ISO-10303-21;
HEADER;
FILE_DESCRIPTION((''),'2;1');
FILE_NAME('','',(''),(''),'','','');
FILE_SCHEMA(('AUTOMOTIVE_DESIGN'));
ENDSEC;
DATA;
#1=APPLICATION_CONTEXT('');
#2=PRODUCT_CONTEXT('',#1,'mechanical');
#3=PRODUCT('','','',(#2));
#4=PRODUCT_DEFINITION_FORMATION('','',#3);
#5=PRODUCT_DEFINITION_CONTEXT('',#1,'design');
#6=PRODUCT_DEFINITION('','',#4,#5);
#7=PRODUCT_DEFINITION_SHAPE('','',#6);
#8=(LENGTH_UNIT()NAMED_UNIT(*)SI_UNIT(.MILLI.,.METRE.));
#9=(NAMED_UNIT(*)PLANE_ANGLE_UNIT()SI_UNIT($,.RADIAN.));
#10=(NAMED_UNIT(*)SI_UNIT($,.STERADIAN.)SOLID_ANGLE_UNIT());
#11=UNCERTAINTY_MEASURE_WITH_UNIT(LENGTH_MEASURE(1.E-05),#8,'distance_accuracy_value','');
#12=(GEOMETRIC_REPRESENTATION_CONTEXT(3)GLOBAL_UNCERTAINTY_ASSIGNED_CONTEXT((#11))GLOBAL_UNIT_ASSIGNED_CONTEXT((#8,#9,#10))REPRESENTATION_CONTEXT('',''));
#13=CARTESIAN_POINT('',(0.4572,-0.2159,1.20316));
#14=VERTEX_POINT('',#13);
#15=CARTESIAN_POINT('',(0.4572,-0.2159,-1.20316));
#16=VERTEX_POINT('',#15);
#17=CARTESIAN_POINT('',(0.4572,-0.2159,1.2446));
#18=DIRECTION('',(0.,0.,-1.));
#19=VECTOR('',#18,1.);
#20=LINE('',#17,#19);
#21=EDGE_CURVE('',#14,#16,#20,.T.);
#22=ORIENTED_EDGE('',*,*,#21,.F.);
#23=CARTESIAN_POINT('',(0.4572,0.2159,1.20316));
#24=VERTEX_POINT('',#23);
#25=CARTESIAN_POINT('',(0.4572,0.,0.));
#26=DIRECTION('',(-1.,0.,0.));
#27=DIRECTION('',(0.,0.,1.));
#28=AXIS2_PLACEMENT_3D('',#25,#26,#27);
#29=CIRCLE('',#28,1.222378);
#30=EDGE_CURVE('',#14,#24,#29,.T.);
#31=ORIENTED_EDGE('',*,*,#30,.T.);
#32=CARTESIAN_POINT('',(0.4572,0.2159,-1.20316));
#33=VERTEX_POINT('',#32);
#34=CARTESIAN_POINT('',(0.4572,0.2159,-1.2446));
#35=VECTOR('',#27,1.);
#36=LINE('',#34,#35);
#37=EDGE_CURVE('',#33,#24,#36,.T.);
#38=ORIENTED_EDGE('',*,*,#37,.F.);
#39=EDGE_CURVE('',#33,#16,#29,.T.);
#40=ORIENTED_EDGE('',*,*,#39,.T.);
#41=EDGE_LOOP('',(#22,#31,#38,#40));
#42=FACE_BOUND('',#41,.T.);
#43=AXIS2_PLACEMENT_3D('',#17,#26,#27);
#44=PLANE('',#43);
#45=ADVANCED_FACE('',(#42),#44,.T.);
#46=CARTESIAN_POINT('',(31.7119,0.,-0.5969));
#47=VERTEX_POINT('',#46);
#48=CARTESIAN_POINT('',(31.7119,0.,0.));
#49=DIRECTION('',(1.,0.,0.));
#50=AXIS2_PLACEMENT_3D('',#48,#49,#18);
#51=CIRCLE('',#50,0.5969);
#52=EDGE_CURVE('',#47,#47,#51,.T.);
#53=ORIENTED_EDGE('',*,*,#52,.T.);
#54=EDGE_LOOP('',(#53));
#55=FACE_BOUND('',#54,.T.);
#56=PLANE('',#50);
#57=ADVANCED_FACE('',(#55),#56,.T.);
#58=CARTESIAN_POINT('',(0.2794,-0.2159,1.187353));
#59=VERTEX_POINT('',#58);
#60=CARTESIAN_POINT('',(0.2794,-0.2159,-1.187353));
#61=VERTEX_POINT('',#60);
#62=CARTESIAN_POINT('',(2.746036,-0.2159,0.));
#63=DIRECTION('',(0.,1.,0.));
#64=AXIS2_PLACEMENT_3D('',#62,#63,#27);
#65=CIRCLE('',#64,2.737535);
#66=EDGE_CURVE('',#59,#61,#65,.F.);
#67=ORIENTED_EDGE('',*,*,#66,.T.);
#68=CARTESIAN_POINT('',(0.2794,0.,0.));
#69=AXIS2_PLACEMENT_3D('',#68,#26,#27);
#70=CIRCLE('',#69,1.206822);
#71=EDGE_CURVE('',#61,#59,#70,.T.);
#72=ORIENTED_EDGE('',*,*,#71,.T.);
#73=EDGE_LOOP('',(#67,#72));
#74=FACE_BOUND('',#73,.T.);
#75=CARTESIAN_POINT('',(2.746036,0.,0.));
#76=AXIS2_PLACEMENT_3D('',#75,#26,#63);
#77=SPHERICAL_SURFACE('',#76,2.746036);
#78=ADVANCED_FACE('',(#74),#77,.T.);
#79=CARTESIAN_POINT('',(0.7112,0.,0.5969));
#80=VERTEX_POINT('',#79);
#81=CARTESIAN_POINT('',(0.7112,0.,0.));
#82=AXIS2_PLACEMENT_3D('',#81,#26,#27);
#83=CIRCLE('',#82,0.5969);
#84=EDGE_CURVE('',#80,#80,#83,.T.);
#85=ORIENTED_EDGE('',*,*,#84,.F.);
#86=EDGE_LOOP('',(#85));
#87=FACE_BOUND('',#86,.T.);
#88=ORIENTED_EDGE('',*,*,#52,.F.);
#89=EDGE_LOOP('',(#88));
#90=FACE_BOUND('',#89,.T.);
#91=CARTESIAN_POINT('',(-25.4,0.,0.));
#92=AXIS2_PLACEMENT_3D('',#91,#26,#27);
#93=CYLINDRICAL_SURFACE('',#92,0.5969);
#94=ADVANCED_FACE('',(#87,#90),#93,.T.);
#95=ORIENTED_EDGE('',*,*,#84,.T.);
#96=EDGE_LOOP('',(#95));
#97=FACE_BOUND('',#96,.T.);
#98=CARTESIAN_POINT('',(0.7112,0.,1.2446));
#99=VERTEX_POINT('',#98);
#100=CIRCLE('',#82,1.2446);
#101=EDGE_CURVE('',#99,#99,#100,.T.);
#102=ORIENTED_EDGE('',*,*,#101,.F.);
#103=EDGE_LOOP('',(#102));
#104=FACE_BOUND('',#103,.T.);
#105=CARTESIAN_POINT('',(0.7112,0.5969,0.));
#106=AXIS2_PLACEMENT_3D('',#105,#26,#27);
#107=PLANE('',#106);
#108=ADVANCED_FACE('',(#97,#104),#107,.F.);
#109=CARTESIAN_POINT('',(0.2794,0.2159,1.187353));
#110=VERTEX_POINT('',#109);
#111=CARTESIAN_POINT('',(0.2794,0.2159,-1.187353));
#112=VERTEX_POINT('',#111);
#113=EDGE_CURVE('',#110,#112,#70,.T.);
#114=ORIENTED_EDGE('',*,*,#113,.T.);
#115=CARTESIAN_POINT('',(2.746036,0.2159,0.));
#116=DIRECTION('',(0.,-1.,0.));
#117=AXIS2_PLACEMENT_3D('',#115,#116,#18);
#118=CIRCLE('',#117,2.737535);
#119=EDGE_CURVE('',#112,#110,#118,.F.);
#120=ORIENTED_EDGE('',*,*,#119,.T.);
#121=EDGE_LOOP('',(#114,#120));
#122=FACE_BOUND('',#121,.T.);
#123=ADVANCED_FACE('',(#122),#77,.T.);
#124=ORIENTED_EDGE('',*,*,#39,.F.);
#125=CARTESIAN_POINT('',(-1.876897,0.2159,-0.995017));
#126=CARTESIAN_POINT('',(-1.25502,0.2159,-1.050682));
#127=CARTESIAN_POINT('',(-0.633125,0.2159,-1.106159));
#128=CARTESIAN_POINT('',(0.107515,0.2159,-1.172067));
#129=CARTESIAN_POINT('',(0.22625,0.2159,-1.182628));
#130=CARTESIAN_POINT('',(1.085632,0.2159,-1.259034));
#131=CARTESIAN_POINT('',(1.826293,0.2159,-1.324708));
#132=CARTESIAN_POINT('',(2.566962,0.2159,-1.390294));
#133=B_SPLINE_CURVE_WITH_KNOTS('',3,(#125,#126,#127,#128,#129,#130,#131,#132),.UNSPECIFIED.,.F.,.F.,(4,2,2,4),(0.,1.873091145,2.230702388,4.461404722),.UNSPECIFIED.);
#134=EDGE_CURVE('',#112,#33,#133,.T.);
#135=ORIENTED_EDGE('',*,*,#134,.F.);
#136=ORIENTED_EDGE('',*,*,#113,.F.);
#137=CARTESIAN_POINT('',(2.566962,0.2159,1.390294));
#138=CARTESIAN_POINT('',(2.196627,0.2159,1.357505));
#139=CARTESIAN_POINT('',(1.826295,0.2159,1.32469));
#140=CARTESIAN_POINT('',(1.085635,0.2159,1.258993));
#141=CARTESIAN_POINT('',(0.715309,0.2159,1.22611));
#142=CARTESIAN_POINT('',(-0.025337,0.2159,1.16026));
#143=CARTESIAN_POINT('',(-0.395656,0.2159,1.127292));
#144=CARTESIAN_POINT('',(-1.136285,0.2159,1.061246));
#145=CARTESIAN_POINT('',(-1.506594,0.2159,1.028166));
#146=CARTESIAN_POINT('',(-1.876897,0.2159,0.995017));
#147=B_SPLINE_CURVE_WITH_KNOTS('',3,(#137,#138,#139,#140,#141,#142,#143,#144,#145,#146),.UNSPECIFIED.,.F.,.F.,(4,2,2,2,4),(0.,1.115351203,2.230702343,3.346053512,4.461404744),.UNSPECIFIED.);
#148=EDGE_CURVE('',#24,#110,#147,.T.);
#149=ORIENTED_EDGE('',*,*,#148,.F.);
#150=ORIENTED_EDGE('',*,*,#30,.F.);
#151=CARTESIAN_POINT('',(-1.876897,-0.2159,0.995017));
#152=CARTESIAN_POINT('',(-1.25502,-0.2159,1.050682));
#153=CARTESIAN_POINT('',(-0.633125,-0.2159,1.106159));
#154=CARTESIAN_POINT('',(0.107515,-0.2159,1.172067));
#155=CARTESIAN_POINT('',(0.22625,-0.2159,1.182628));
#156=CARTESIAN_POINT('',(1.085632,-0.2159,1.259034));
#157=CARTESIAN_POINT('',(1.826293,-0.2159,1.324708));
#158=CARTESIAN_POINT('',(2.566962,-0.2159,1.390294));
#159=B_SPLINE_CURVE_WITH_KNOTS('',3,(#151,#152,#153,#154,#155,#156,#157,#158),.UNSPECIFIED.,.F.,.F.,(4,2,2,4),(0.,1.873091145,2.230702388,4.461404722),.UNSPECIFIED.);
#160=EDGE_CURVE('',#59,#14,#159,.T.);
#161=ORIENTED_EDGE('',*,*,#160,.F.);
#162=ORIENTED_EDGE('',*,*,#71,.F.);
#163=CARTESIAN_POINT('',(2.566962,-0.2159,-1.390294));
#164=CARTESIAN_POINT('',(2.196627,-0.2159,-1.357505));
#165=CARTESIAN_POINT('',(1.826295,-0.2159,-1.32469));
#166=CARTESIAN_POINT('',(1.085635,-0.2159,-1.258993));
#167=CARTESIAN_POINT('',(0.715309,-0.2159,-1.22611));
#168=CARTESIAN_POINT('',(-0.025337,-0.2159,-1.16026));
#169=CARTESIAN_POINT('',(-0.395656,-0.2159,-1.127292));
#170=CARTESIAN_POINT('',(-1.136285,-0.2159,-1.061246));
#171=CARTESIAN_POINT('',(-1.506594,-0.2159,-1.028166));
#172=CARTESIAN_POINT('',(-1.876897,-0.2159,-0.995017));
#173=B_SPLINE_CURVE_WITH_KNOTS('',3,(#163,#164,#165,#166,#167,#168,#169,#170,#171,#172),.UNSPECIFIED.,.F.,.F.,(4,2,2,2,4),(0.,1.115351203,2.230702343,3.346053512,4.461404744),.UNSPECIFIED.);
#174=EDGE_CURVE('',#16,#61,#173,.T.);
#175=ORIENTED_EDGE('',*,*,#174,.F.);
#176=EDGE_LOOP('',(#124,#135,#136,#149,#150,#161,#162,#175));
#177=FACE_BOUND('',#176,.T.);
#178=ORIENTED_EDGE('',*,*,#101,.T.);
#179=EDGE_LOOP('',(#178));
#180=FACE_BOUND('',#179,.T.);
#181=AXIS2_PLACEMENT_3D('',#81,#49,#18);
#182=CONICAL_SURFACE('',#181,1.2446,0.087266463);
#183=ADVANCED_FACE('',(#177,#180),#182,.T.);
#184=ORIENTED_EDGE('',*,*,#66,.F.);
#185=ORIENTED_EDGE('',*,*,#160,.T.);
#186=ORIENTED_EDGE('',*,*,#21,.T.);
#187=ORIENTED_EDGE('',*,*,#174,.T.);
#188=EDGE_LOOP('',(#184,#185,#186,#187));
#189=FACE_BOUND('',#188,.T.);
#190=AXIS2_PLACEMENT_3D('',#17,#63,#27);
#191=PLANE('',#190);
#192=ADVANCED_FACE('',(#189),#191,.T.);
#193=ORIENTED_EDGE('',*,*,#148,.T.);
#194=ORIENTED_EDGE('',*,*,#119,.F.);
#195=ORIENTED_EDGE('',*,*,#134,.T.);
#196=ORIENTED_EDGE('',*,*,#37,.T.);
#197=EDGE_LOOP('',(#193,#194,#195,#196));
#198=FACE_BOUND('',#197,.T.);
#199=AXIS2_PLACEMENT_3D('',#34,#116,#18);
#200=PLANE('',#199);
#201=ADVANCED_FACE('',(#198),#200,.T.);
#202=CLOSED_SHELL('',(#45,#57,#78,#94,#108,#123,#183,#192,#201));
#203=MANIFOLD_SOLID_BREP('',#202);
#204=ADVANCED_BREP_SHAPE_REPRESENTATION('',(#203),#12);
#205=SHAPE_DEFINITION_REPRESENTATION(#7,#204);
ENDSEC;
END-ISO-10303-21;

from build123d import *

# Parameters (mm, degrees)
SKETCH2_W                    = 2.4892
SKETCH2_H                    = 0.4318
SLOT_DEPTH                   = 0.4572
SCHIZZO2_R                   = 0.5969
ESTRUSIONE_ESTRUSIONE1_DEPTH = 15.1257


with BuildPart() as part:
    # BodySke → Base-Revolve (revolve)
    with BuildSketch(Plane.XY):
        with BuildLine():
            Line((0.7112, 0.5969), (0.7112, 1.2446))
            Line((0.7112, 1.2446), (0.2794, 1.206822395))
            ThreePointArc((0.2794, 1.206822395), (0.070761718, 0.619371587), (0, 0))
            Line((0, 0), (16.5862, 0))
            Line((16.5862, 0), (16.5862, 0.5969))
            Line((16.5862, 0.5969), (0.7112, 0.5969))
        make_face()
    revolve(axis=Axis((-25.4, 0, 0), (1, 0, 0)))

    # Sketch2 → Slot (cut)
    with BuildSketch(Plane(origin=(0, 0, 0), x_dir=(0, 0, -1), z_dir=(1, 0, 0))):
        Rectangle(SKETCH2_W, SKETCH2_H)
    extrude(amount=SLOT_DEPTH, mode=Mode.SUBTRACT)

    # Schizzo2 → Estrusione-Estrusione1 (add)
    with BuildSketch(Plane(origin=(16.5862, 0, 0), x_dir=(0, 0, -1), z_dir=(1, 0, 0))):
        Circle(SCHIZZO2_R)
    extrude(amount=ESTRUSIONE_ESTRUSIONE1_DEPTH)


solid = part.part
